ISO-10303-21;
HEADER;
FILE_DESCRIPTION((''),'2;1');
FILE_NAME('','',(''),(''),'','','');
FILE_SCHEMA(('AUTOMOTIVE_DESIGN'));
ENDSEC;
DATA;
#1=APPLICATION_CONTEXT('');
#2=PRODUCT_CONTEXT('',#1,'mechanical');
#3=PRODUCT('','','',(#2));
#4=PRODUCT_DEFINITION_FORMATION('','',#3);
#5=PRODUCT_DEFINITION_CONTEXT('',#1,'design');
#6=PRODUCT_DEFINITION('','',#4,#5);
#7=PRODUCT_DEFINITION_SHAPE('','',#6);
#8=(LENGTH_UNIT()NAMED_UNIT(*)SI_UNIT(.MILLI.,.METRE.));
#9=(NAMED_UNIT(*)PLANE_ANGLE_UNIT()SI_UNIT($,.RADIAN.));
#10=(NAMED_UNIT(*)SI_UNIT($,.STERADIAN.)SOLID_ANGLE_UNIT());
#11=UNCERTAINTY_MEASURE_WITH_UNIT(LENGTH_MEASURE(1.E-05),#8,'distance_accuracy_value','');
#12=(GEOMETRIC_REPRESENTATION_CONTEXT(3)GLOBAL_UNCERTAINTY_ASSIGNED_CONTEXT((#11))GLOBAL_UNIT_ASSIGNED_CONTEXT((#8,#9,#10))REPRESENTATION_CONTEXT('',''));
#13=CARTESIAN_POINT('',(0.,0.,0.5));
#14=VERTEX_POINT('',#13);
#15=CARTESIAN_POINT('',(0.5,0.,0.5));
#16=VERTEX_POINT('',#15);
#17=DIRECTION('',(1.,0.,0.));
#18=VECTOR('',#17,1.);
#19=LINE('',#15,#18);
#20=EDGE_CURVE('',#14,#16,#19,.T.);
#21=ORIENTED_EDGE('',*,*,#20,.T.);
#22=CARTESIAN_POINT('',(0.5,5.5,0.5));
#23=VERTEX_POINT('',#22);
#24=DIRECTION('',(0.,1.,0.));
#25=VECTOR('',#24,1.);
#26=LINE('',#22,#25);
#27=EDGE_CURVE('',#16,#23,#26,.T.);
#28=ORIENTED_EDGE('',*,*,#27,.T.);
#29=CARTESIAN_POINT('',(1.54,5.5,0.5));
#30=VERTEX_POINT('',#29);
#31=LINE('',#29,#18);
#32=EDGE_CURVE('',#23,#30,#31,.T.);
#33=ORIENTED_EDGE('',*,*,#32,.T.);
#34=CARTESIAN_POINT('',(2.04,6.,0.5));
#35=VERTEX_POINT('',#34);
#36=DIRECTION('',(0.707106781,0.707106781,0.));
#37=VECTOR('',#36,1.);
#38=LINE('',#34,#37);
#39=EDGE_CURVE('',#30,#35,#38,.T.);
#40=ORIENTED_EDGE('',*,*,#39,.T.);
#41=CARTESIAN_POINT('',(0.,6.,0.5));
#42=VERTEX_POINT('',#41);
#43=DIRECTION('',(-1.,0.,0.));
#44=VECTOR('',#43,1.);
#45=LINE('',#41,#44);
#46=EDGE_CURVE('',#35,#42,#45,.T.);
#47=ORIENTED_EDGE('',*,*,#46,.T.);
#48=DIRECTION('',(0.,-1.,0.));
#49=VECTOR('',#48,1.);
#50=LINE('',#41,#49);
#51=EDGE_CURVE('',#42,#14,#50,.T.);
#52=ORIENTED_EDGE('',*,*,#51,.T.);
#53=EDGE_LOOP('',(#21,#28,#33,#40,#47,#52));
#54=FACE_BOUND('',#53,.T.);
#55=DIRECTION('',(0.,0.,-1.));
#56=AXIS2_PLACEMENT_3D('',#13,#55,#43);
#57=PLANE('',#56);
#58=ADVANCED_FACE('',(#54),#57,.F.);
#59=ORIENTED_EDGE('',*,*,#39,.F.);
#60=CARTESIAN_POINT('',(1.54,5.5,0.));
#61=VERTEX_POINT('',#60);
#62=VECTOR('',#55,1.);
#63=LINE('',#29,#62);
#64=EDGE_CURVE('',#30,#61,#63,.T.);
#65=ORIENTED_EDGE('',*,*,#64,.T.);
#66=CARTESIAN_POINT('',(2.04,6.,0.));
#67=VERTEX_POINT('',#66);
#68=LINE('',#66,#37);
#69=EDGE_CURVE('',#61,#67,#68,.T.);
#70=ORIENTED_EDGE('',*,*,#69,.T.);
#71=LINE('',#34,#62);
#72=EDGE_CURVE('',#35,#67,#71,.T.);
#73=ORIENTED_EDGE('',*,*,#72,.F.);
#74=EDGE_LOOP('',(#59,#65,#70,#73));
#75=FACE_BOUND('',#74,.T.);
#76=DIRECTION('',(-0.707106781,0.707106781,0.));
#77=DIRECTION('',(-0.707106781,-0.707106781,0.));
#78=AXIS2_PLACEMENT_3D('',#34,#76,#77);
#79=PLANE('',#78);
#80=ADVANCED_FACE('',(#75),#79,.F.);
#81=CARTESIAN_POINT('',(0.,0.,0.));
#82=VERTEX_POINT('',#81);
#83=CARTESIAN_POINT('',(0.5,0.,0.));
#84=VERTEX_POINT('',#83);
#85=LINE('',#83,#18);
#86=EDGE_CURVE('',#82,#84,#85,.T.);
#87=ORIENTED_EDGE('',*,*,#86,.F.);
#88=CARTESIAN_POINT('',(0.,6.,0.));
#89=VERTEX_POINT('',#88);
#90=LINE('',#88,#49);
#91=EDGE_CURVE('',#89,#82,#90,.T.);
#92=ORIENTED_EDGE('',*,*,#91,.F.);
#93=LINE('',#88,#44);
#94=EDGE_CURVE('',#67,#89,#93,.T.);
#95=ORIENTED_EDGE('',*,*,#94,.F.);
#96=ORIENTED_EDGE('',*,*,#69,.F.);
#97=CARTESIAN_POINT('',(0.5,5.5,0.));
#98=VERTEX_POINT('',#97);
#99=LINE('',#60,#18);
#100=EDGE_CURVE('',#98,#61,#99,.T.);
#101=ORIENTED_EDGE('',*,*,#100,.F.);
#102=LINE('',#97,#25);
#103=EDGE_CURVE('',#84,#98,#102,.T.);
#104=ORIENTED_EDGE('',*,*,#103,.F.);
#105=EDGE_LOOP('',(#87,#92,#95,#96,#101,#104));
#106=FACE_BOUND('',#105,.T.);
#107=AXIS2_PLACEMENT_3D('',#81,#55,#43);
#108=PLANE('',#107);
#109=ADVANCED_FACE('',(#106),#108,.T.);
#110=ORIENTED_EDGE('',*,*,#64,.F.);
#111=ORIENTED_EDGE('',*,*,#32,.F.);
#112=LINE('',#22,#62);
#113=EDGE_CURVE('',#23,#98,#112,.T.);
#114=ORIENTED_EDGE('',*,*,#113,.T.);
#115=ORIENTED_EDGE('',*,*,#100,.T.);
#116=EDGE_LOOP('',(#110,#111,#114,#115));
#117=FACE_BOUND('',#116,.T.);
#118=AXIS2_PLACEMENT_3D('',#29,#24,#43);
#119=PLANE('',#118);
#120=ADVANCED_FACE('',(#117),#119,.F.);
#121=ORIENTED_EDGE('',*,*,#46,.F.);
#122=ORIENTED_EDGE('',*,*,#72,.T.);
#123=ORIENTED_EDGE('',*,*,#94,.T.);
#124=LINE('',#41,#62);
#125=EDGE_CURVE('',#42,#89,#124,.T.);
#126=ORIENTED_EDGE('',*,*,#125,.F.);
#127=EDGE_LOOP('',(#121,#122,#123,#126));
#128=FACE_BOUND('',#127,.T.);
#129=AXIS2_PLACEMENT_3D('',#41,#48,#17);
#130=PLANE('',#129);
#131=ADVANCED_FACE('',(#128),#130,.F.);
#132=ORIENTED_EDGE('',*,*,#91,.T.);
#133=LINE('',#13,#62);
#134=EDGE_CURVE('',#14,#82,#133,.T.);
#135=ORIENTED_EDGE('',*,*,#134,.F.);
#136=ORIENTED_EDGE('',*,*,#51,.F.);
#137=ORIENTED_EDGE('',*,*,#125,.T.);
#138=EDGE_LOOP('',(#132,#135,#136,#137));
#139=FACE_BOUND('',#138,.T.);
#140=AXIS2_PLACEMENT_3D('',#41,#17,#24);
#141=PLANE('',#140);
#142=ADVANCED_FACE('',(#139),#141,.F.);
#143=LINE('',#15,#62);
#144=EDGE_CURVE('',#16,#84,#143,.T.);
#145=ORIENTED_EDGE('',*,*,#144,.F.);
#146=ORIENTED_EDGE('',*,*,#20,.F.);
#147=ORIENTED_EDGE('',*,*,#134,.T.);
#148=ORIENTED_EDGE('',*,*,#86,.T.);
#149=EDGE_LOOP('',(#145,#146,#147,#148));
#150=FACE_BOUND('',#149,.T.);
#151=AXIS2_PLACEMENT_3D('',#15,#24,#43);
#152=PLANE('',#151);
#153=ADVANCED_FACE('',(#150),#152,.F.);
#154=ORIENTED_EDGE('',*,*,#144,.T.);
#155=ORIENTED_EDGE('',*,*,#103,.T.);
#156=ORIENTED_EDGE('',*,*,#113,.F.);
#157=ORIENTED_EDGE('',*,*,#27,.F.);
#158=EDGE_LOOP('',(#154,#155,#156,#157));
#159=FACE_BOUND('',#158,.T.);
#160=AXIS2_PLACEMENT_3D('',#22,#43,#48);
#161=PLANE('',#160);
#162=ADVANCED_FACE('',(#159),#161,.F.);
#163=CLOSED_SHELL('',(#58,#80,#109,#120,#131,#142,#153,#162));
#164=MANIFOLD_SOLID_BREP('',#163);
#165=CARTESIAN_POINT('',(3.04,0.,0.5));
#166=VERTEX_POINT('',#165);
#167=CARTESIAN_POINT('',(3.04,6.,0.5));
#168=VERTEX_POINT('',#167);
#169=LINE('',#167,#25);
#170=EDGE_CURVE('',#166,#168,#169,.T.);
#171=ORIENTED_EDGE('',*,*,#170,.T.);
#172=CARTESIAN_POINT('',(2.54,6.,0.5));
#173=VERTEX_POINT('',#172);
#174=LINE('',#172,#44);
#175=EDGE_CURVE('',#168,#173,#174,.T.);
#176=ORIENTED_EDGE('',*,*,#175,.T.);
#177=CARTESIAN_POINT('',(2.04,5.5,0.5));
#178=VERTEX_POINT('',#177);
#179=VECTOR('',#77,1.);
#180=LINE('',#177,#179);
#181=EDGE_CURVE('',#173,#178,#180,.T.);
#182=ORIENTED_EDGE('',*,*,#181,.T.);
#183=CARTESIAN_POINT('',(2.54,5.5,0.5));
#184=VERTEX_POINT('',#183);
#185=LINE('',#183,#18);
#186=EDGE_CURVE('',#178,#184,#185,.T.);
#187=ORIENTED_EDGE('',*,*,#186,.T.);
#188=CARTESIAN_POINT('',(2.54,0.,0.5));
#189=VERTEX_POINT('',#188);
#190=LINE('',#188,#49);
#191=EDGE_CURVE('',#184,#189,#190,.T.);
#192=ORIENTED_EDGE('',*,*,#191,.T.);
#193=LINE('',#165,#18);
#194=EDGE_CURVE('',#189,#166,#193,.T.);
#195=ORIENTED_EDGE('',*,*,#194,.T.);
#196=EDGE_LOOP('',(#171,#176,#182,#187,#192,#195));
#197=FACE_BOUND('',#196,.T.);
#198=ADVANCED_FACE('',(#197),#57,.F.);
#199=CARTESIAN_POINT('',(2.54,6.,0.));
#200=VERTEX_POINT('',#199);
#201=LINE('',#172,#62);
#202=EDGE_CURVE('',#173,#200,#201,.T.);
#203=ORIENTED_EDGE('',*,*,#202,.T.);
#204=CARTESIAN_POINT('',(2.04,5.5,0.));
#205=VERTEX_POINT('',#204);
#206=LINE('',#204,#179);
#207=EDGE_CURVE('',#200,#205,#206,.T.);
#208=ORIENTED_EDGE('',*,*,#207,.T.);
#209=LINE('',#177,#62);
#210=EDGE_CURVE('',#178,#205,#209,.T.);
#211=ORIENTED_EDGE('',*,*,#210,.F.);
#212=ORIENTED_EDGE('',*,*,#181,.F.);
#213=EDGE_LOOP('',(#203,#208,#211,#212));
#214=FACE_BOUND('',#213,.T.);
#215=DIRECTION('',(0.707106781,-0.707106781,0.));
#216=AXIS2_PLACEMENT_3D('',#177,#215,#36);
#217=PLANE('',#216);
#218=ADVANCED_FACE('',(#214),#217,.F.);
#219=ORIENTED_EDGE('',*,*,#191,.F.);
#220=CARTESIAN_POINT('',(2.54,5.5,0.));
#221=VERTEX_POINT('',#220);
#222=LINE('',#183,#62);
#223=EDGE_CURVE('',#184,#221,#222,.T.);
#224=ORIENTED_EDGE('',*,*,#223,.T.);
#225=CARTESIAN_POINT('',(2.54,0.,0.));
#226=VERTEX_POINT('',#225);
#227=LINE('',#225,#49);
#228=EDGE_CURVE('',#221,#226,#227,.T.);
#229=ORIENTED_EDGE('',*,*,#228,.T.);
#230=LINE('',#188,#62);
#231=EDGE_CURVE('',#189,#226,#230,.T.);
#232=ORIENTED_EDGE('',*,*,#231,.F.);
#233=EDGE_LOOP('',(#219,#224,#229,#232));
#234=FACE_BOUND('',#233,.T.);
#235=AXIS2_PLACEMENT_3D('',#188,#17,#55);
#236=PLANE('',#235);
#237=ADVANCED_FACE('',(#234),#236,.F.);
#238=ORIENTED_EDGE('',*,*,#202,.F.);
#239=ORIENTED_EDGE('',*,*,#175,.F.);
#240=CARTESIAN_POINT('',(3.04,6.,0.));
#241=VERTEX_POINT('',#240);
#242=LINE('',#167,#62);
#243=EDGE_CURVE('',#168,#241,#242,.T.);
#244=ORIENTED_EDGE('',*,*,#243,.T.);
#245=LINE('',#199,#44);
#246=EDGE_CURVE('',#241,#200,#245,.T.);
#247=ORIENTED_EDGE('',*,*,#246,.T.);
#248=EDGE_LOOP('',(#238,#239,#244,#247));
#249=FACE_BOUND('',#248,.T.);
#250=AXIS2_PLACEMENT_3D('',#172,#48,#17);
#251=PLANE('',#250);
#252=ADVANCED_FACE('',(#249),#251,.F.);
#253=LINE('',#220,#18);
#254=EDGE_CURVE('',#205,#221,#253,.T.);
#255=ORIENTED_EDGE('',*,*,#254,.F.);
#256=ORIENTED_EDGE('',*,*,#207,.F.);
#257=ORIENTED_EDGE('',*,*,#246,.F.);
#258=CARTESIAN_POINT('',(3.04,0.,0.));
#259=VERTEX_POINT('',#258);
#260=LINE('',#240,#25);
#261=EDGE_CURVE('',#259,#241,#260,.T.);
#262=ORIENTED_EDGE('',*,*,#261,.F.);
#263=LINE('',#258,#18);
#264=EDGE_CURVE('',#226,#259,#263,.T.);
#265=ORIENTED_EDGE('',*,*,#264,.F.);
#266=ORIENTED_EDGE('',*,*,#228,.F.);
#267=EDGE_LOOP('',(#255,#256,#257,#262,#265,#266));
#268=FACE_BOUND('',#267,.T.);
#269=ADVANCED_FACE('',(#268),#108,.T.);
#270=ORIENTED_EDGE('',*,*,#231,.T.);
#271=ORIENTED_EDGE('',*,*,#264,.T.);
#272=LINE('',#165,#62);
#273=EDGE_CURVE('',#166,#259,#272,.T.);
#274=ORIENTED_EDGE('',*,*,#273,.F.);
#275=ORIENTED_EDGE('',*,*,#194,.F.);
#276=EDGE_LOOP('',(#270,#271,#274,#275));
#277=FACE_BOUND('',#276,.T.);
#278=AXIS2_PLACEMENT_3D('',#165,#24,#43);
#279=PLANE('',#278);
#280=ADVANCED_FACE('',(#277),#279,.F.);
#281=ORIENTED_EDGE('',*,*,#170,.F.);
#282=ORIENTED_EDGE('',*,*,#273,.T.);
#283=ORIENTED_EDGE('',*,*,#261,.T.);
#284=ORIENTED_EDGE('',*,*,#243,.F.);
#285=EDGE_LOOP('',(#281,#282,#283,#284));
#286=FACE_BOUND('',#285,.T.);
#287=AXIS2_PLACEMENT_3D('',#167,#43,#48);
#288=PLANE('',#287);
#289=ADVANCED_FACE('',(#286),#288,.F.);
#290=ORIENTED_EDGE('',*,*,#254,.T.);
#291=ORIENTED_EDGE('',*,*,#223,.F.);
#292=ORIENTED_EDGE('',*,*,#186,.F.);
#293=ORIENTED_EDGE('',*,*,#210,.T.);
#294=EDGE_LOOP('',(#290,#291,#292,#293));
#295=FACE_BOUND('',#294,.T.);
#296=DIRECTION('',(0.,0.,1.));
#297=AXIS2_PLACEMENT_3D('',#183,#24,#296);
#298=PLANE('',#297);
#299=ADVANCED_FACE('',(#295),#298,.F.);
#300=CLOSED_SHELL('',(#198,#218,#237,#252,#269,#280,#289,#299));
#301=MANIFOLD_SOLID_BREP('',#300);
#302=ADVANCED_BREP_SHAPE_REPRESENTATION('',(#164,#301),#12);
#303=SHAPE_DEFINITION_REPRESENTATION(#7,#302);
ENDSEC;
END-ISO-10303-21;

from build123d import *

# Parameters (mm, degrees)
BOSS_EXTRUDE1_DEPTH   = 0.5
BOSS_EXTRUDE1_2_DEPTH = 0.5


with BuildPart() as part:
    # Sketch1 → Boss-Extrude1 (new body)
    with BuildSketch(Plane.XY):
        Polygon((0, 6), (0, 0), (0.5, 0), (0.5, 5.5), (1.54, 5.5), (2.04, 6), align=None)
    extrude(amount=BOSS_EXTRUDE1_DEPTH)


with BuildPart() as body_2:
    # Sketch1 → Boss-Extrude1 2 (new body)
    with BuildSketch(Plane.XY):
        Polygon((2.54, 6), (3.04, 6), (3.04, 0), (2.54, 0), (2.54, 5.5), (2.04, 5.5), align=None)
    extrude(amount=BOSS_EXTRUDE1_2_DEPTH)


solid = Compound([part.part, body_2.part])
